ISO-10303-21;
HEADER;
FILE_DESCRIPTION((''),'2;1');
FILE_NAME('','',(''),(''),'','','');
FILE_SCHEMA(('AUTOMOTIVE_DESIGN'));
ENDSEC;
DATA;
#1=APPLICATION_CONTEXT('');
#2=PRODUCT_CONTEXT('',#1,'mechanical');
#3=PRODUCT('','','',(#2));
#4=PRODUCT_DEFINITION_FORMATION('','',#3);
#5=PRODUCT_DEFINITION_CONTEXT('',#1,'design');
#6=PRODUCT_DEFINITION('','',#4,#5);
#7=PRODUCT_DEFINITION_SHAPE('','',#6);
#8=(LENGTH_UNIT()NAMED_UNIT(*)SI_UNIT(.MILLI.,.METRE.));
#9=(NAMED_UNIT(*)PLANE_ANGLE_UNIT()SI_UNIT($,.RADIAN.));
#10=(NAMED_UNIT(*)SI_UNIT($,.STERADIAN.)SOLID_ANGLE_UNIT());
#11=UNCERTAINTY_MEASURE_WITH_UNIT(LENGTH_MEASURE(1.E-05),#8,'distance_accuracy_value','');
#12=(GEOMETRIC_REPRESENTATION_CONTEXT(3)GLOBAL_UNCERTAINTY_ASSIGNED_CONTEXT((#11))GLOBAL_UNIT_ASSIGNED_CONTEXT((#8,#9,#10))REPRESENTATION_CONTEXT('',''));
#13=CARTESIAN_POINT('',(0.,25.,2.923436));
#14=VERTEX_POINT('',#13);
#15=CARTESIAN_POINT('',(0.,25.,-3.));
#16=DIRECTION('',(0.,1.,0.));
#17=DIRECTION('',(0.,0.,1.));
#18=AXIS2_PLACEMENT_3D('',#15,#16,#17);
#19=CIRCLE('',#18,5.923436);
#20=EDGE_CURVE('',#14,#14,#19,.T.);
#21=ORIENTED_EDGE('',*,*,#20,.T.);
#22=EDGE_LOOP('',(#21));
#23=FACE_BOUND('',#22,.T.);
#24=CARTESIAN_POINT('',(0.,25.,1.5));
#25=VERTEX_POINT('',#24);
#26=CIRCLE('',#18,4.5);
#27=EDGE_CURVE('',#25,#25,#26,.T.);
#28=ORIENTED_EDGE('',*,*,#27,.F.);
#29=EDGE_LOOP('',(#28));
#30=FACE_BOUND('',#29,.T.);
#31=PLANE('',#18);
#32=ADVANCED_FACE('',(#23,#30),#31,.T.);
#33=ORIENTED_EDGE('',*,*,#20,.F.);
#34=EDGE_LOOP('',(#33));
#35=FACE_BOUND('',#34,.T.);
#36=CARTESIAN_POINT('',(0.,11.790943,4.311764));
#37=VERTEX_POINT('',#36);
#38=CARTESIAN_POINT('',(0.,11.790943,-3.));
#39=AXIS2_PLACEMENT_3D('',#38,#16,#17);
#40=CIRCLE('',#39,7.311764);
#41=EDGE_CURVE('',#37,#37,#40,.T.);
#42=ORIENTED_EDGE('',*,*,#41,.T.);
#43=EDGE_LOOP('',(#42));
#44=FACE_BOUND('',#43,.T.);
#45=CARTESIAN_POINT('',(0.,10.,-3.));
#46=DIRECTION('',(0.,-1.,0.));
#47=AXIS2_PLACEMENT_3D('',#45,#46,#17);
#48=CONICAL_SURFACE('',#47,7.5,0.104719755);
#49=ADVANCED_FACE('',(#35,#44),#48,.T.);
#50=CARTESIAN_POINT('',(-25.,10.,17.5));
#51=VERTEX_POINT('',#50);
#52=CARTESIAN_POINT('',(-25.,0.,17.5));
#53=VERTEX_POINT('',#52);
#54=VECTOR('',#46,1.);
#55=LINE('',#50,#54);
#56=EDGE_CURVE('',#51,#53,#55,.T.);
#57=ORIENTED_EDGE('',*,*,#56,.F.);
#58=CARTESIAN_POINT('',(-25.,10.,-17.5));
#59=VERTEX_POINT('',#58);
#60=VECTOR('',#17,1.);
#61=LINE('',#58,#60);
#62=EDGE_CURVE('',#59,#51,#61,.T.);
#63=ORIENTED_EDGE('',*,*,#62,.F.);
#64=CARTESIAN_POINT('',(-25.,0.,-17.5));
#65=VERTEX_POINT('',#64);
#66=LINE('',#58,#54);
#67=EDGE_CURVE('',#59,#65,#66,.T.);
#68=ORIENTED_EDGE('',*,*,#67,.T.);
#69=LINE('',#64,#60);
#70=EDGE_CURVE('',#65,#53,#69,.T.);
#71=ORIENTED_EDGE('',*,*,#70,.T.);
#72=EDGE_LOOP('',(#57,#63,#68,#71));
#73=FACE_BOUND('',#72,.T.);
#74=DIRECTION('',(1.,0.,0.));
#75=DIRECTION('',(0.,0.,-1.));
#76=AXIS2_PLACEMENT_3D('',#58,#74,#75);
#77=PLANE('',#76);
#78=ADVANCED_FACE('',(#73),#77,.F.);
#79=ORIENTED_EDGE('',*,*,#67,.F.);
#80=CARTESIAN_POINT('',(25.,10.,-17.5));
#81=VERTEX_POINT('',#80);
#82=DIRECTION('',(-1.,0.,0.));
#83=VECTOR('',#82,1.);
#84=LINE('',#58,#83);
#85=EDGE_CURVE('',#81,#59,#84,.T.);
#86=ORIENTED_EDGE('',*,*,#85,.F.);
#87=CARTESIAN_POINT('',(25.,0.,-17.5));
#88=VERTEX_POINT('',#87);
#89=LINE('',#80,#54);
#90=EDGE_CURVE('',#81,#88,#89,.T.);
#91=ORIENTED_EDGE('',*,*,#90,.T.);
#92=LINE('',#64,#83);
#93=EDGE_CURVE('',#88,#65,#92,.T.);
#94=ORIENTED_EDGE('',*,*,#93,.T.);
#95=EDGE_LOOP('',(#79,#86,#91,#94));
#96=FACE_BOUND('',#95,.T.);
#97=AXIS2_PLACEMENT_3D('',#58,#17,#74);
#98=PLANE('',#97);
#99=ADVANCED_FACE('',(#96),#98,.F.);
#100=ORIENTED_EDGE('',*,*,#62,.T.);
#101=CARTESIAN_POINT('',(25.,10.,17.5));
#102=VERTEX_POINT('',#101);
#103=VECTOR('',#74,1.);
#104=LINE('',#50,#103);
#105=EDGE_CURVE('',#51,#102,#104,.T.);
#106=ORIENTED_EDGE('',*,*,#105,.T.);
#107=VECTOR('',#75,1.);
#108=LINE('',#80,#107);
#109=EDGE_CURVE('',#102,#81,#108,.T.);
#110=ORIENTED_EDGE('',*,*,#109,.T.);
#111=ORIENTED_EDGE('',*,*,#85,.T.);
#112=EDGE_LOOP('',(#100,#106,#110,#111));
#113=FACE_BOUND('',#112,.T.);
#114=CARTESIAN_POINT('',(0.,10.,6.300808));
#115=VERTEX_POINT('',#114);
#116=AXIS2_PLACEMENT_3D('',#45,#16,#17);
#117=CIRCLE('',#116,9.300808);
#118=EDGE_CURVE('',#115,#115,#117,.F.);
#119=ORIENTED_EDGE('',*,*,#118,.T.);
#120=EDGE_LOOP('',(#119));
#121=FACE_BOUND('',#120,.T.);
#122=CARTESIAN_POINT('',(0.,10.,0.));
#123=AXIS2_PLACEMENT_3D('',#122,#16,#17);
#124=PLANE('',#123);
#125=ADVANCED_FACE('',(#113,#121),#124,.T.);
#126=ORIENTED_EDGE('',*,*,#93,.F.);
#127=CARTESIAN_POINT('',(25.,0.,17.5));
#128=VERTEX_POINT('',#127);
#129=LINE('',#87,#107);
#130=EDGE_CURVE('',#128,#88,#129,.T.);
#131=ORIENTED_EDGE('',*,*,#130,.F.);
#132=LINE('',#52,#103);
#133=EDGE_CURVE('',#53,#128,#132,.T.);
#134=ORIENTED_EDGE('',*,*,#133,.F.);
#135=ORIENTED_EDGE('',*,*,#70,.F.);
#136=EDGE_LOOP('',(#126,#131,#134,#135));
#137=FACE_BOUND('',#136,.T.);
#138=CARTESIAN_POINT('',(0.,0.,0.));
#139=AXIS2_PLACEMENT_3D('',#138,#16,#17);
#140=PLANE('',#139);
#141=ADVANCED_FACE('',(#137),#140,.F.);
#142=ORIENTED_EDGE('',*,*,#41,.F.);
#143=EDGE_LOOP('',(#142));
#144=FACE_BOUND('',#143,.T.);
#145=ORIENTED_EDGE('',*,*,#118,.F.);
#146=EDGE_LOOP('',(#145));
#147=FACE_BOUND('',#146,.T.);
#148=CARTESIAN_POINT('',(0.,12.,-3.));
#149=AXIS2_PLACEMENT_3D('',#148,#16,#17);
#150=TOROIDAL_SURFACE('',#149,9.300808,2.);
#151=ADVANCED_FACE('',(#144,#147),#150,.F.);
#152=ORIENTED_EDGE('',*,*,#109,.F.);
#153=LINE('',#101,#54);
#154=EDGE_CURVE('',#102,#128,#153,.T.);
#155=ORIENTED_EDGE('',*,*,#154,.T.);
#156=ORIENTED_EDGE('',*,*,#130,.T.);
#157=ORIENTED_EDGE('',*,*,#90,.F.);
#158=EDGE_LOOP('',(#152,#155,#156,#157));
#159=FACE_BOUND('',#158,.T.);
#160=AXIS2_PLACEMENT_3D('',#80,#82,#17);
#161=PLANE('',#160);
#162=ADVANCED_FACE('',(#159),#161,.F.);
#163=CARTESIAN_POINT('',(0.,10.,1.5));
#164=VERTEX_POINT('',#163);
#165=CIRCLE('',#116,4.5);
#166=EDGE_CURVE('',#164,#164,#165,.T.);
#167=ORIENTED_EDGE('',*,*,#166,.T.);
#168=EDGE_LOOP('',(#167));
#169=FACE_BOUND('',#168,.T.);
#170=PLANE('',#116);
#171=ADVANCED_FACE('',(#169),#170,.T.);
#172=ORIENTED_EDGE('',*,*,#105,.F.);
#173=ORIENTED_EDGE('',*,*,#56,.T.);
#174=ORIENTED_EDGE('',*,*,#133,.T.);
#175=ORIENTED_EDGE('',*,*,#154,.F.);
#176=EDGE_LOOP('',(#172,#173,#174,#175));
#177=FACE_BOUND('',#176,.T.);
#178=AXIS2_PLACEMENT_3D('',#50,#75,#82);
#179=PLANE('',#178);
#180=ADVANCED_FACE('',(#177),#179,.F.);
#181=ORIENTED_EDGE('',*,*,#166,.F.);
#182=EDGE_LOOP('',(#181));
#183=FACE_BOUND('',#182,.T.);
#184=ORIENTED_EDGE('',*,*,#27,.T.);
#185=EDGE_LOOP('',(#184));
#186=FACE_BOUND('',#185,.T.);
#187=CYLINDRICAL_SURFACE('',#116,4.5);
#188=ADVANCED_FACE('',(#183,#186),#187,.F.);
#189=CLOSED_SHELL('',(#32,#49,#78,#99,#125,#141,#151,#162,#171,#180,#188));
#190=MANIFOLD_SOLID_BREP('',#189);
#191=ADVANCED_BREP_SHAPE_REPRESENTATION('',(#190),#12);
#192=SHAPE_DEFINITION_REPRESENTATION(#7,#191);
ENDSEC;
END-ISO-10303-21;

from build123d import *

# Parameters (mm, degrees)
SKETCH1_W           = 50
SKETCH1_H           = 35
BOSS_EXTRUDE1_DEPTH = 10
SKETCH2_R           = 7.5
BOSS_EXTRUDE2_DEPTH = 15
BOSS_EXTRUDE2_TAPER = 6
SKETCH3_R           = 4.5
CUT_EXTRUDE1_DEPTH  = 15
FILLET1_R           = 2


with BuildPart() as part:
    # Sketch1 → Boss-Extrude1 (new body)
    with BuildSketch(Plane(origin=(0, 0, 0), x_dir=(1, 0, 0), z_dir=(0, 1, 0))):
        Rectangle(SKETCH1_W, SKETCH1_H)
    extrude(amount=BOSS_EXTRUDE1_DEPTH)

    # Sketch2 → Boss-Extrude2 (add)
    with BuildSketch(Plane(origin=(0, 10, 0), x_dir=(1, 0, 0), z_dir=(0, 1, 0))):
        with Locations((0, 3)):
            Circle(SKETCH2_R)
    extrude(amount=BOSS_EXTRUDE2_DEPTH, taper=BOSS_EXTRUDE2_TAPER)

    # Sketch3 → Cut-Extrude1 (cut)
    with BuildSketch(Plane(origin=(0, 25, 0), x_dir=(1, 0, 0), z_dir=(0, 1, 0))):
        with Locations((0, 3)):
            Circle(SKETCH3_R)
    extrude(amount=-CUT_EXTRUDE1_DEPTH, mode=Mode.SUBTRACT)

    # Fillet1
    fillet1_edges = [part.edges().sort_by_distance(p)[0] for p in [
        (-7.5, 10, -3),
    ]]
    fillet(fillet1_edges, radius=FILLET1_R)


solid = part.part
